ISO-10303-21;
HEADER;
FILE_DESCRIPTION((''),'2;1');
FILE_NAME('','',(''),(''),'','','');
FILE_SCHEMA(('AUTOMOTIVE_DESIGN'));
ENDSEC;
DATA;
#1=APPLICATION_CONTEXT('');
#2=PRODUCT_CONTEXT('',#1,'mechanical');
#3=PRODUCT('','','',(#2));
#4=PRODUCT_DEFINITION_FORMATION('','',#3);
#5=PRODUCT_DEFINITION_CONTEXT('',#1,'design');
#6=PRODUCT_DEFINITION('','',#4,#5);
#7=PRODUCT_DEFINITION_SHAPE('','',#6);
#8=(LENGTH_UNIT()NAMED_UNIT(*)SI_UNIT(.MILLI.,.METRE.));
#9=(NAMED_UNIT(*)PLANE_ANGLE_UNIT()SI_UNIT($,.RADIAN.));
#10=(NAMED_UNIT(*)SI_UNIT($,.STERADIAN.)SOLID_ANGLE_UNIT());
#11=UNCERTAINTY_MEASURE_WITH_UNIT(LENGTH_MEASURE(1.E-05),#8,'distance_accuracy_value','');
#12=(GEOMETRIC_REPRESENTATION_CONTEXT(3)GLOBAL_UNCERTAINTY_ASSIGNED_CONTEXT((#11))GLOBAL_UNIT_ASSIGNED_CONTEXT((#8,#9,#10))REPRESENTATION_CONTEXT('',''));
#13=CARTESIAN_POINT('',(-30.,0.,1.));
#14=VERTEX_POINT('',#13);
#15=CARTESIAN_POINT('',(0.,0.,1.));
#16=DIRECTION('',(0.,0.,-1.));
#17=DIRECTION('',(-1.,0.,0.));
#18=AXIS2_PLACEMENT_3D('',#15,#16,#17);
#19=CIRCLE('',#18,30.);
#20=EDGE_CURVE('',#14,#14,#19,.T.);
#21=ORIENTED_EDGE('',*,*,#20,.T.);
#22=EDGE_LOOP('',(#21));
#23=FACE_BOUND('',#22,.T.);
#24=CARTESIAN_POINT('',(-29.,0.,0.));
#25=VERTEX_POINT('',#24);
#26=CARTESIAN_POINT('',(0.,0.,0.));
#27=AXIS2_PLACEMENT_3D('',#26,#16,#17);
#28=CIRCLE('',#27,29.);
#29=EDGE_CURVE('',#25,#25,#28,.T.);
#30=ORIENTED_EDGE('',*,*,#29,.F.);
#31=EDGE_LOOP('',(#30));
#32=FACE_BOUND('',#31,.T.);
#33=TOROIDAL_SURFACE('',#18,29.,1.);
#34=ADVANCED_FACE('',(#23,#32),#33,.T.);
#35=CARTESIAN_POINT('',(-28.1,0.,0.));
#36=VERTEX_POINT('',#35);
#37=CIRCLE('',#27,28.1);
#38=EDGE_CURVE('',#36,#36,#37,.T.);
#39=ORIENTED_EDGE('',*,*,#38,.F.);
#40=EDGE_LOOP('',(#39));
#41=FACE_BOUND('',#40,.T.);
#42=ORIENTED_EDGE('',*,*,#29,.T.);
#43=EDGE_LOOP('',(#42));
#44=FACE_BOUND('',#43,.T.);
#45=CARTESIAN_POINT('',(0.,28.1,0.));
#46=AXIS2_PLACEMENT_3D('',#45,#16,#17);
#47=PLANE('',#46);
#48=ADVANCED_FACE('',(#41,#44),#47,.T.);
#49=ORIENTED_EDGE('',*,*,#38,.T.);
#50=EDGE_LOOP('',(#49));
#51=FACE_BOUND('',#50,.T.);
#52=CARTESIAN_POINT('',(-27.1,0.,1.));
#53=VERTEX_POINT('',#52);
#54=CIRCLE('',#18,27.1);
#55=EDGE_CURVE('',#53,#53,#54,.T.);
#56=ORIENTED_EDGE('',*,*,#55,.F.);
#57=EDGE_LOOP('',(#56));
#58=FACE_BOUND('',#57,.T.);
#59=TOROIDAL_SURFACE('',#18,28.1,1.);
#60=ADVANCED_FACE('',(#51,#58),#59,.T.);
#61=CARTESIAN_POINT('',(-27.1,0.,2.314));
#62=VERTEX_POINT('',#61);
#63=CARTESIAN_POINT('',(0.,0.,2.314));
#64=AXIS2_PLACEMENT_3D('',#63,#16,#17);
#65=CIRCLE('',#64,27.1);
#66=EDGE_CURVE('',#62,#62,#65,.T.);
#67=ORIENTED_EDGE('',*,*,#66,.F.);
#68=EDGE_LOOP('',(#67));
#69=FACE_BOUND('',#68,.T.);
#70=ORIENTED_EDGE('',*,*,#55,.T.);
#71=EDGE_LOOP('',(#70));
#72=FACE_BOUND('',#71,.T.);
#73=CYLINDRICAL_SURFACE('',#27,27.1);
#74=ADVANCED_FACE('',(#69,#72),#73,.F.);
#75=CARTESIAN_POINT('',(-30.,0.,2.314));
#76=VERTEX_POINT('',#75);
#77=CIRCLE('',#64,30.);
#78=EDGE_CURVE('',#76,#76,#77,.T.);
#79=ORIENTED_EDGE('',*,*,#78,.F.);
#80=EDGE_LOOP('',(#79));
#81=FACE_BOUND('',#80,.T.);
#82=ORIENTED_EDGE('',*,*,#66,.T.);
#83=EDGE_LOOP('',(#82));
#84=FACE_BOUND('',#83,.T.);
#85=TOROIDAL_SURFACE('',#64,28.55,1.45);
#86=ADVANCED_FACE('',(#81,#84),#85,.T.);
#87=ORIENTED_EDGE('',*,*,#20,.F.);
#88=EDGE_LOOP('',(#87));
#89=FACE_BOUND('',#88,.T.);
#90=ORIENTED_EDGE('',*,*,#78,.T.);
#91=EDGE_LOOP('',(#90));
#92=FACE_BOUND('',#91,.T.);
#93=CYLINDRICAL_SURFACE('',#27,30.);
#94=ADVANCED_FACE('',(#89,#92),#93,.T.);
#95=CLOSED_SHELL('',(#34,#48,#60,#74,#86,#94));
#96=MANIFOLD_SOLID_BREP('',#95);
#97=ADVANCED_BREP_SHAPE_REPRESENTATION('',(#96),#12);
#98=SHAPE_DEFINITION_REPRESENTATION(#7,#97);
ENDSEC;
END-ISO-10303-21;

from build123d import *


with BuildPart() as part:
    # Sketch1 → Revolve1 (revolve)
    with BuildSketch(Plane(origin=(0, 0, 0), x_dir=(0, 0, -1), z_dir=(1, 0, 0))):
        with BuildLine():
            Line((-2.314, 27.1), (-1, 27.1))
            ThreePointArc((-1, 27.1), (-0.292893219, 27.392893219), (0, 28.1))
            Line((0, 28.1), (0, 29))
            ThreePointArc((0, 29), (-0.292893219, 29.707106781), (-1, 30))
            Line((-1, 30), (-2.314, 30))
            ThreePointArc((-2.314, 30), (-3.764, 28.55), (-2.314, 27.1))
        make_face()
    revolve(axis=Axis((0, 0, 0), (0, 0, 1)))


solid = part.part
